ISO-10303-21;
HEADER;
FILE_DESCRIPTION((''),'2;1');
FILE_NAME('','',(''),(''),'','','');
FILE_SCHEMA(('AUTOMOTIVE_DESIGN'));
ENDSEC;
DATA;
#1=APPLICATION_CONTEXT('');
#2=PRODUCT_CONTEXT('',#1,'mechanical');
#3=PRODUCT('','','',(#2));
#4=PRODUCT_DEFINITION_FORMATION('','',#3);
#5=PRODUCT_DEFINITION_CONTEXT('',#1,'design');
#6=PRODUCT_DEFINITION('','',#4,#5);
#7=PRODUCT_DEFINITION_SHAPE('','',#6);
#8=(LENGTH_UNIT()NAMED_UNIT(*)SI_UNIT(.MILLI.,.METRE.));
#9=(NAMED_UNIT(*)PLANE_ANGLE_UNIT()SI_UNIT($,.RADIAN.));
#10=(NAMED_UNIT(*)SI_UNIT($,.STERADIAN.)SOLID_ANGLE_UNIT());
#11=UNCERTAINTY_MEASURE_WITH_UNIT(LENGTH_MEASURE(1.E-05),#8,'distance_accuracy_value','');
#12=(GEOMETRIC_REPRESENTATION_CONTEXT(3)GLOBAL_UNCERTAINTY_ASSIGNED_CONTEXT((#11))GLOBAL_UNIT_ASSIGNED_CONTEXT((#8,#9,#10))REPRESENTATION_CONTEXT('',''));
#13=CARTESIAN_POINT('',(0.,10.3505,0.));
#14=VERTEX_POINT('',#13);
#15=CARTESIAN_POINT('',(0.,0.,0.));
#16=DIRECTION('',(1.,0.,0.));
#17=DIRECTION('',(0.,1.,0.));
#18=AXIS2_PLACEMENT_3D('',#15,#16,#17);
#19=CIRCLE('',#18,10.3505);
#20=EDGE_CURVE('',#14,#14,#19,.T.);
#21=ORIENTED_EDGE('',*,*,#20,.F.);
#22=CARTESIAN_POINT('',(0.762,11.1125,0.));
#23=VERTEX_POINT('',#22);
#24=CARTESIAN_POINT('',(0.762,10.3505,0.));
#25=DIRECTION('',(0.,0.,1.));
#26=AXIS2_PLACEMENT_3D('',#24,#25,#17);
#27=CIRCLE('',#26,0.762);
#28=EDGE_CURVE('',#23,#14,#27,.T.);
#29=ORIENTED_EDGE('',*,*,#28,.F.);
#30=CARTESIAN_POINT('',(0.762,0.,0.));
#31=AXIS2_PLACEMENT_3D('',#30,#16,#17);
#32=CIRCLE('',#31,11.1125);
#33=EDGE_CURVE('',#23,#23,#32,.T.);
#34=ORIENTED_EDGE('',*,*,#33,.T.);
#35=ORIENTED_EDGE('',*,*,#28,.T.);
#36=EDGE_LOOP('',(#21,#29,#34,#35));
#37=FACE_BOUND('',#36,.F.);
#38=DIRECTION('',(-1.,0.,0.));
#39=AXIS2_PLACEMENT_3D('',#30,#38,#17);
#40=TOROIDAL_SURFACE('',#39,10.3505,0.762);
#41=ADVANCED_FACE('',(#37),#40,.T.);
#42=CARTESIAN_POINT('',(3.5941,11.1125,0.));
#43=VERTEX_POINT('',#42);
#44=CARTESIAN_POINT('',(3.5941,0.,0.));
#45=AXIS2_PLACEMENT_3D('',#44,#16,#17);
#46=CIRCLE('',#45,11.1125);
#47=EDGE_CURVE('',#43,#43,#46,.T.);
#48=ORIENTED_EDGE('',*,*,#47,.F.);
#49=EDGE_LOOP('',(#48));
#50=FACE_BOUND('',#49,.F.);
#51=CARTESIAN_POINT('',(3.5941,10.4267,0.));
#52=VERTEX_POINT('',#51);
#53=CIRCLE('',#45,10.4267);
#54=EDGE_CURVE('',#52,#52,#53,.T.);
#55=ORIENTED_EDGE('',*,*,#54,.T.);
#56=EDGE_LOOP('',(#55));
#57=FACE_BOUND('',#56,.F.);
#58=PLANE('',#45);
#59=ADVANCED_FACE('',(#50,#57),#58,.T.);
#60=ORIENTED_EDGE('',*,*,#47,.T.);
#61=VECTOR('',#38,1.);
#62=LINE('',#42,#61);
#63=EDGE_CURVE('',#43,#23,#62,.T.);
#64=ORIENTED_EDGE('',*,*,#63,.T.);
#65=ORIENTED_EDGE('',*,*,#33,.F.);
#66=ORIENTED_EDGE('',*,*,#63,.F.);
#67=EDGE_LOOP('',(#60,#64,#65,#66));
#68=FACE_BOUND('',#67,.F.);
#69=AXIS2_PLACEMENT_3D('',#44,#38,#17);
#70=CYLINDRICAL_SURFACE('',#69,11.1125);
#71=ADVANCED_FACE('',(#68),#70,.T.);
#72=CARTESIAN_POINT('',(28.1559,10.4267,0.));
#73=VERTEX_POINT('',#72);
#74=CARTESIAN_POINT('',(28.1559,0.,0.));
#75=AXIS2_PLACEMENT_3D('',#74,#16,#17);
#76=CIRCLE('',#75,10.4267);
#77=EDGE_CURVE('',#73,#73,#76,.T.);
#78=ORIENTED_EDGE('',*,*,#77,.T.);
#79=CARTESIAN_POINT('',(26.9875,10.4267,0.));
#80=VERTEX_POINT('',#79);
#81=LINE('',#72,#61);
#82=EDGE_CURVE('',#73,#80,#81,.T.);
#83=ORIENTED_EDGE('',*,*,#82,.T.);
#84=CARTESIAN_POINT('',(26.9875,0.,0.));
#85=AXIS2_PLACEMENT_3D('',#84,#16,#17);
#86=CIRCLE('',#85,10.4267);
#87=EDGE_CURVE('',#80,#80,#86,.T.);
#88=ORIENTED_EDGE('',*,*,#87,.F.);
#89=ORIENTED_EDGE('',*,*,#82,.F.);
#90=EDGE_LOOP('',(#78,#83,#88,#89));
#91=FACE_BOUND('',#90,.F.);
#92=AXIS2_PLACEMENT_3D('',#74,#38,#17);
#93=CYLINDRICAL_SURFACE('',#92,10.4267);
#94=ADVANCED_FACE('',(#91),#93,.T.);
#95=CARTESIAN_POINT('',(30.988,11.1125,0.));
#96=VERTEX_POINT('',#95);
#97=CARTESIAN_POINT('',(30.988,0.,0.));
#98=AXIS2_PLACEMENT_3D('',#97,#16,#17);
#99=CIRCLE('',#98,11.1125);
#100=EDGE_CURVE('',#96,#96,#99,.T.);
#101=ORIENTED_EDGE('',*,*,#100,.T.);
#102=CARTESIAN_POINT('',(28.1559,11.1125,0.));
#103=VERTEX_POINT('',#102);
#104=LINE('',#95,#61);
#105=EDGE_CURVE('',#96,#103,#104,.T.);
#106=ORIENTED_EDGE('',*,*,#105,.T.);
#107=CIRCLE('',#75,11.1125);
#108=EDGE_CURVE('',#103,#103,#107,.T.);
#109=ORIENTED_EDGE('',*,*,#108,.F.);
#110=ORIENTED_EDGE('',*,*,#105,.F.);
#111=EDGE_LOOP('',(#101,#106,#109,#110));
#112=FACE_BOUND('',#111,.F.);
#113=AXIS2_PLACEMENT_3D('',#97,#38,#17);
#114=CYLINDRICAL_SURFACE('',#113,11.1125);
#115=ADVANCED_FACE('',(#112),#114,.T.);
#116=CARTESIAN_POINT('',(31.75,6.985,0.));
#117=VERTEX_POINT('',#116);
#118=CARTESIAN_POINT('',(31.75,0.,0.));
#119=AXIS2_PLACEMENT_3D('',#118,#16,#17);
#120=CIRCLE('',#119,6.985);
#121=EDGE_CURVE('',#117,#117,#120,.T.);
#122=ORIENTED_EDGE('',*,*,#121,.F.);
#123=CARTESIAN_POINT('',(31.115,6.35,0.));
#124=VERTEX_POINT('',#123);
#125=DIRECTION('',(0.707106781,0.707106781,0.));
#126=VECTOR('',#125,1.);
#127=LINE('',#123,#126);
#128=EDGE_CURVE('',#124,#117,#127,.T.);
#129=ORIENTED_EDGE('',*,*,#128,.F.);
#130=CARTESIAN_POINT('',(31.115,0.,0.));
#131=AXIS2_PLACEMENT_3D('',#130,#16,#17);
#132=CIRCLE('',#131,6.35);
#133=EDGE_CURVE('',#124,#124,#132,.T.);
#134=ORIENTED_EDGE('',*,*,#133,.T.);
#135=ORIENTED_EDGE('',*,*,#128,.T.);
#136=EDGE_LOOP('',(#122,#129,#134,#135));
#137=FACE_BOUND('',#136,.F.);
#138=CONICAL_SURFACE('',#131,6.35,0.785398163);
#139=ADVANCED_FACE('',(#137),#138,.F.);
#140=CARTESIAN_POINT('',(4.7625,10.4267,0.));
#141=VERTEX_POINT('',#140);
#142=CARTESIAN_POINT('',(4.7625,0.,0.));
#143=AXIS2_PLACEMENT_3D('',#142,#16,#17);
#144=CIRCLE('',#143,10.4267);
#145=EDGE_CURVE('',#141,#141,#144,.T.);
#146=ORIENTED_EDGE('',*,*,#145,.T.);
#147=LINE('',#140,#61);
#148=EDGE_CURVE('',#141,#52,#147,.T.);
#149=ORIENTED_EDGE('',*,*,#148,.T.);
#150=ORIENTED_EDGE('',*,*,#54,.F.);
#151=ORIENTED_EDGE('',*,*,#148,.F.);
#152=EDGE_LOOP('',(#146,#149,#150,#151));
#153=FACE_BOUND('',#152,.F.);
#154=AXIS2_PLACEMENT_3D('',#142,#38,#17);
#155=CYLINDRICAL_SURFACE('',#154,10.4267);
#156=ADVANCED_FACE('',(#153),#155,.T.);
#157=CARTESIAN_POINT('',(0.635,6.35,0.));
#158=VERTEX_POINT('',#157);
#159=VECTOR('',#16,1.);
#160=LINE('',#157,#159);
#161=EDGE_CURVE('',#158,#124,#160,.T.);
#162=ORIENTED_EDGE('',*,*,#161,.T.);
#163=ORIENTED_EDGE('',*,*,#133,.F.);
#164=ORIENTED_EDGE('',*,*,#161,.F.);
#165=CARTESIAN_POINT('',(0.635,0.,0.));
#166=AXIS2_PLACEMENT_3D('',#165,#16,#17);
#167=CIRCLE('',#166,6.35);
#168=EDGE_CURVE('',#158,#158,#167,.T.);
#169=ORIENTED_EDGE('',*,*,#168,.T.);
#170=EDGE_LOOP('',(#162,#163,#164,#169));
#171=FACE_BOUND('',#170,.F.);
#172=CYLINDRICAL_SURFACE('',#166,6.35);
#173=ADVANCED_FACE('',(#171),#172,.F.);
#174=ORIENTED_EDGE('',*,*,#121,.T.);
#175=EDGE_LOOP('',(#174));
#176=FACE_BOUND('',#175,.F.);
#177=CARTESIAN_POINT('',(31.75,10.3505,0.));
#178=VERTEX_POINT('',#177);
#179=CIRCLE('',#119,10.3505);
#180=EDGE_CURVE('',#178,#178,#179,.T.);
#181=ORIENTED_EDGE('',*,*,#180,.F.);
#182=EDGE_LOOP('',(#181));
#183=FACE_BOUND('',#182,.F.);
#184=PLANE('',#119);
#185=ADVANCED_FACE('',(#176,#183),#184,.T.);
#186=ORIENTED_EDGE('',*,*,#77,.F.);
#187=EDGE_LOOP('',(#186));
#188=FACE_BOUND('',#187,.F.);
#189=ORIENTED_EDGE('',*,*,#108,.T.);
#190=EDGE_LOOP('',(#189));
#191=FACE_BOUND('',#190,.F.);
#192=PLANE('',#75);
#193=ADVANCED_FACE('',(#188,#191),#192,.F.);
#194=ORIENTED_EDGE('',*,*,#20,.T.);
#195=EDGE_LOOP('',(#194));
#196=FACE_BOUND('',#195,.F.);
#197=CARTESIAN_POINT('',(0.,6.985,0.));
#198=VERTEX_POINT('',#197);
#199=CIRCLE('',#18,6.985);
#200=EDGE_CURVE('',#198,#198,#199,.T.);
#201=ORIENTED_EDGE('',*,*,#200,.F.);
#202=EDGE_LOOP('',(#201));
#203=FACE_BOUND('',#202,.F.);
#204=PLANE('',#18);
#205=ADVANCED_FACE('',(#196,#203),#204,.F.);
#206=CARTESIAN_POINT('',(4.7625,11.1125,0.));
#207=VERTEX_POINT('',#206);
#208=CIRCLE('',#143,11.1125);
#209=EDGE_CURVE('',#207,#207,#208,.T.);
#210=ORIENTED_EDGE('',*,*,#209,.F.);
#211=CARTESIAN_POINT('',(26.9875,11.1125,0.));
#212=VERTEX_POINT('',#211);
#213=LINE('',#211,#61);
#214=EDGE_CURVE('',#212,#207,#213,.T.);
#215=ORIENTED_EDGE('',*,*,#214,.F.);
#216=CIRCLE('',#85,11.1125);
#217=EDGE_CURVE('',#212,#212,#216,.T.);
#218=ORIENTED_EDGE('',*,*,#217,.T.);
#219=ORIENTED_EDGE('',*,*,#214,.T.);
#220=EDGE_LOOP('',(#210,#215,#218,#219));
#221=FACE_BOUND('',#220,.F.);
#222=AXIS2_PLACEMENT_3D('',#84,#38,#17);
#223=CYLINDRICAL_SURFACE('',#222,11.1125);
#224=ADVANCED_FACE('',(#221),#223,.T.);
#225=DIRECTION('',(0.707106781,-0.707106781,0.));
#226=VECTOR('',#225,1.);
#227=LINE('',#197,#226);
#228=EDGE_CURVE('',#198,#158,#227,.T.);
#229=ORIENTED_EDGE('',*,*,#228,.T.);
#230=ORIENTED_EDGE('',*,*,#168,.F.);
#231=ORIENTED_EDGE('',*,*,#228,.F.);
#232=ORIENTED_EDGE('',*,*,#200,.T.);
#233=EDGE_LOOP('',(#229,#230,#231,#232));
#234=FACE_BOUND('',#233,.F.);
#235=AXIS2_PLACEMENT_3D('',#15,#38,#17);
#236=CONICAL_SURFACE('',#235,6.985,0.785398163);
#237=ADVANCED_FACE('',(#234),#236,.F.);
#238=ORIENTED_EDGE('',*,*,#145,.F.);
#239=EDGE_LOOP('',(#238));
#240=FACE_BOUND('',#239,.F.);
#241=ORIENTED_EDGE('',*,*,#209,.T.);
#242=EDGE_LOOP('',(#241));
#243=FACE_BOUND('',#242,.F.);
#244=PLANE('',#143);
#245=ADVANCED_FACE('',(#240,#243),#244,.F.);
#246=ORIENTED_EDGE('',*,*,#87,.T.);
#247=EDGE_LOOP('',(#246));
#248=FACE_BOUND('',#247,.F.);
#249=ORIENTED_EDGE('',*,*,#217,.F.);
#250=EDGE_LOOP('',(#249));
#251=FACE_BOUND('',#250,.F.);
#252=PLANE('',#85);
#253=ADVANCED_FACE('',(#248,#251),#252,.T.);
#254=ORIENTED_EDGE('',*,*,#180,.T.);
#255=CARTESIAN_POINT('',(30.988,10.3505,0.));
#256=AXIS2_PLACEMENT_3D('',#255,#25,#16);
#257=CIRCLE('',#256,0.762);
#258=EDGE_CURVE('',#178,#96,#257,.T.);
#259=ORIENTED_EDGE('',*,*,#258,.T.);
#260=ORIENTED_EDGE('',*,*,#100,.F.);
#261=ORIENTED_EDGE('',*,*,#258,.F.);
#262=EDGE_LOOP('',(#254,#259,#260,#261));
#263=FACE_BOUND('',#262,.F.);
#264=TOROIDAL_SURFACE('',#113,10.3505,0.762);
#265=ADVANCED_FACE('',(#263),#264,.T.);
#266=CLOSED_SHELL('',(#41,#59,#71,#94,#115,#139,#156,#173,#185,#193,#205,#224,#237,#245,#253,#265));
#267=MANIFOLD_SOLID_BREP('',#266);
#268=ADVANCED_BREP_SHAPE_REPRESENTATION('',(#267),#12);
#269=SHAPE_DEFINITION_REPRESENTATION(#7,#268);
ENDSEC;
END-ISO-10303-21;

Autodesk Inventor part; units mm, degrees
ref_plane "YZ Plane" through (0, 0, 0) normal (1, 0, 0) x (0, 1, 0)
ref_plane "XZ Plane" through (0, 0, 0) normal (0, 1, 0) x (-1, 0, 0)
ref_plane "XY Plane" through (0, 0, 0) normal (0, 0, 1) x (1, 0, 0)
sketch "Sketch_1" plane through (0, 0, 0) normal (0, 0, 1) x (1, 0, 0)
  line L0 (31.75, 0) -> (0, 0)
  line L1 (0, 6.985) -> (0.635, 6.35)
  line L2 (0.635, 6.35) -> (31.115, 6.35)
  line L3 (31.115, 6.35) -> (31.75, 6.985)
  line L4 (31.75, 6.985) -> (31.75, 10.3505)
  arc A0 (31.75, 10.3505) -> (30.988, 11.1125) centre (30.988, 10.3505) ccw
  line L5 (30.988, 11.1125) -> (28.1559, 11.1125)
  line L6 (28.1559, 11.1125) -> (28.1559, 10.4267)
  line L7 (28.1559, 10.4267) -> (26.9875, 10.4267)
  line L8 (26.9875, 10.4267) -> (26.9875, 11.1125)
  line L9 (26.9875, 11.1125) -> (4.7625, 11.1125)
  line L10 (4.7625, 11.1125) -> (4.7625, 10.4267)
  line L11 (4.7625, 10.4267) -> (3.5941, 10.4267)
  line L12 (3.5941, 10.4267) -> (3.5941, 11.1125)
  line L13 (3.5941, 11.1125) -> (0.762, 11.1125)
  arc A1 (0.762, 11.1125) -> (0, 10.3505) centre (0.762, 10.3505) ccw
  line L14 (0, 10.3505) -> (0, 6.985)
revolve "Revolution1" add sketch "Sketch_1" angle 360 about axis through (31.75, 0, 0) along (1, 0, 0)
properties part number "U-LMU0 50"
